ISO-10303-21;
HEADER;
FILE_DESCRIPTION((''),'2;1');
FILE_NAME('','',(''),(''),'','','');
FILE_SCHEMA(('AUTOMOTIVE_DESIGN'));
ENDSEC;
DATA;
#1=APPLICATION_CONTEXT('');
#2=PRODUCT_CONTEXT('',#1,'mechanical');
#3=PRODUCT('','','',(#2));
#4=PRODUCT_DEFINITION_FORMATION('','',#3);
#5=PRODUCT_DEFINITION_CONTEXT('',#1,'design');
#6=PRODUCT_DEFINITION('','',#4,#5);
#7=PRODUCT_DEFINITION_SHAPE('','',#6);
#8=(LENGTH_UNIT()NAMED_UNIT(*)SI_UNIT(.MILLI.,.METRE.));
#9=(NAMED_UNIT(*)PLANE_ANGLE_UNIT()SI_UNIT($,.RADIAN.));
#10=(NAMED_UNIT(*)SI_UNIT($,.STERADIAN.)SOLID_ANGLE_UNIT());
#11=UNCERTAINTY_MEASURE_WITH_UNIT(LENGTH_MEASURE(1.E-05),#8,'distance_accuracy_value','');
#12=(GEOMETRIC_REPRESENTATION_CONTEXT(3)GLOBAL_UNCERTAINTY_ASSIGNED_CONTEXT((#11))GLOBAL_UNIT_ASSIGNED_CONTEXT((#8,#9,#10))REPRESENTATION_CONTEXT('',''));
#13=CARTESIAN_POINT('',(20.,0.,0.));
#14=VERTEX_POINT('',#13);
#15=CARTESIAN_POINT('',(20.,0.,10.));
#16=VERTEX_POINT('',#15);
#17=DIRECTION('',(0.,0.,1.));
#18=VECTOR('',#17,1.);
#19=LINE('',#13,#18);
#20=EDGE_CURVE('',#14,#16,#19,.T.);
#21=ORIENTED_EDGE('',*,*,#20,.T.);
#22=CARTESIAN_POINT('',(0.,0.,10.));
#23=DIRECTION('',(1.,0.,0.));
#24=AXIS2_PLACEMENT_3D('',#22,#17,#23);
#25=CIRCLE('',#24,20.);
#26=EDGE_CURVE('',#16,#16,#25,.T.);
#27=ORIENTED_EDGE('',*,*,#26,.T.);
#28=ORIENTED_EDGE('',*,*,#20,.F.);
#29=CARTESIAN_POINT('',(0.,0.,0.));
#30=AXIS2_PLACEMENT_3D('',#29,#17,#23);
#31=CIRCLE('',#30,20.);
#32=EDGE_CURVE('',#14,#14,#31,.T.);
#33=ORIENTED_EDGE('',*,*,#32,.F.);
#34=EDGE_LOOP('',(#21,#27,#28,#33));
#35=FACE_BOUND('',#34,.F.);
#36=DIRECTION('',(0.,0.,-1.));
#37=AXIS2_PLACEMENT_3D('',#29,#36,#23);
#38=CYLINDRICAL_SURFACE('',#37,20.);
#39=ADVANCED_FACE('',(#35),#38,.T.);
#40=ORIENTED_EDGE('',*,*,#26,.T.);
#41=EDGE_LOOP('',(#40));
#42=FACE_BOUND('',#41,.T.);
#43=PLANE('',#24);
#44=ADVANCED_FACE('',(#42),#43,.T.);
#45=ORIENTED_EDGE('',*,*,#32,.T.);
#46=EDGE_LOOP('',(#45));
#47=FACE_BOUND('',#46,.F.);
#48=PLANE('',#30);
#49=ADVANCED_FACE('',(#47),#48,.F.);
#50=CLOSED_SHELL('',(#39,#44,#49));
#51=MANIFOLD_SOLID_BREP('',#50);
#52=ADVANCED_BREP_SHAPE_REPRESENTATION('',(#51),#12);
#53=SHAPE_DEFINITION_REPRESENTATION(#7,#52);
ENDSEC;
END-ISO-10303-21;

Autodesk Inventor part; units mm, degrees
ref_plane "YZ Plane" through (0, 0, 0) normal (1, 0, 0) x (0, 1, 0)
ref_plane "XZ Plane" through (0, 0, 0) normal (0, 1, 0) x (-1, 0, 0)
ref_plane "XY Plane" through (0, 0, 0) normal (0, 0, 1) x (1, 0, 0)
sketch "Sketch1" plane through (0, 0, 0) normal (0, 0, 1) x (1, 0, 0)
  circle A0 centre (0, 0) radius 20
  dimension "d0" = 40
extrude "Extrusion1" add sketch "Sketch1" along normal blind 10
properties part number "SJ010" material "ABS Plastic"
